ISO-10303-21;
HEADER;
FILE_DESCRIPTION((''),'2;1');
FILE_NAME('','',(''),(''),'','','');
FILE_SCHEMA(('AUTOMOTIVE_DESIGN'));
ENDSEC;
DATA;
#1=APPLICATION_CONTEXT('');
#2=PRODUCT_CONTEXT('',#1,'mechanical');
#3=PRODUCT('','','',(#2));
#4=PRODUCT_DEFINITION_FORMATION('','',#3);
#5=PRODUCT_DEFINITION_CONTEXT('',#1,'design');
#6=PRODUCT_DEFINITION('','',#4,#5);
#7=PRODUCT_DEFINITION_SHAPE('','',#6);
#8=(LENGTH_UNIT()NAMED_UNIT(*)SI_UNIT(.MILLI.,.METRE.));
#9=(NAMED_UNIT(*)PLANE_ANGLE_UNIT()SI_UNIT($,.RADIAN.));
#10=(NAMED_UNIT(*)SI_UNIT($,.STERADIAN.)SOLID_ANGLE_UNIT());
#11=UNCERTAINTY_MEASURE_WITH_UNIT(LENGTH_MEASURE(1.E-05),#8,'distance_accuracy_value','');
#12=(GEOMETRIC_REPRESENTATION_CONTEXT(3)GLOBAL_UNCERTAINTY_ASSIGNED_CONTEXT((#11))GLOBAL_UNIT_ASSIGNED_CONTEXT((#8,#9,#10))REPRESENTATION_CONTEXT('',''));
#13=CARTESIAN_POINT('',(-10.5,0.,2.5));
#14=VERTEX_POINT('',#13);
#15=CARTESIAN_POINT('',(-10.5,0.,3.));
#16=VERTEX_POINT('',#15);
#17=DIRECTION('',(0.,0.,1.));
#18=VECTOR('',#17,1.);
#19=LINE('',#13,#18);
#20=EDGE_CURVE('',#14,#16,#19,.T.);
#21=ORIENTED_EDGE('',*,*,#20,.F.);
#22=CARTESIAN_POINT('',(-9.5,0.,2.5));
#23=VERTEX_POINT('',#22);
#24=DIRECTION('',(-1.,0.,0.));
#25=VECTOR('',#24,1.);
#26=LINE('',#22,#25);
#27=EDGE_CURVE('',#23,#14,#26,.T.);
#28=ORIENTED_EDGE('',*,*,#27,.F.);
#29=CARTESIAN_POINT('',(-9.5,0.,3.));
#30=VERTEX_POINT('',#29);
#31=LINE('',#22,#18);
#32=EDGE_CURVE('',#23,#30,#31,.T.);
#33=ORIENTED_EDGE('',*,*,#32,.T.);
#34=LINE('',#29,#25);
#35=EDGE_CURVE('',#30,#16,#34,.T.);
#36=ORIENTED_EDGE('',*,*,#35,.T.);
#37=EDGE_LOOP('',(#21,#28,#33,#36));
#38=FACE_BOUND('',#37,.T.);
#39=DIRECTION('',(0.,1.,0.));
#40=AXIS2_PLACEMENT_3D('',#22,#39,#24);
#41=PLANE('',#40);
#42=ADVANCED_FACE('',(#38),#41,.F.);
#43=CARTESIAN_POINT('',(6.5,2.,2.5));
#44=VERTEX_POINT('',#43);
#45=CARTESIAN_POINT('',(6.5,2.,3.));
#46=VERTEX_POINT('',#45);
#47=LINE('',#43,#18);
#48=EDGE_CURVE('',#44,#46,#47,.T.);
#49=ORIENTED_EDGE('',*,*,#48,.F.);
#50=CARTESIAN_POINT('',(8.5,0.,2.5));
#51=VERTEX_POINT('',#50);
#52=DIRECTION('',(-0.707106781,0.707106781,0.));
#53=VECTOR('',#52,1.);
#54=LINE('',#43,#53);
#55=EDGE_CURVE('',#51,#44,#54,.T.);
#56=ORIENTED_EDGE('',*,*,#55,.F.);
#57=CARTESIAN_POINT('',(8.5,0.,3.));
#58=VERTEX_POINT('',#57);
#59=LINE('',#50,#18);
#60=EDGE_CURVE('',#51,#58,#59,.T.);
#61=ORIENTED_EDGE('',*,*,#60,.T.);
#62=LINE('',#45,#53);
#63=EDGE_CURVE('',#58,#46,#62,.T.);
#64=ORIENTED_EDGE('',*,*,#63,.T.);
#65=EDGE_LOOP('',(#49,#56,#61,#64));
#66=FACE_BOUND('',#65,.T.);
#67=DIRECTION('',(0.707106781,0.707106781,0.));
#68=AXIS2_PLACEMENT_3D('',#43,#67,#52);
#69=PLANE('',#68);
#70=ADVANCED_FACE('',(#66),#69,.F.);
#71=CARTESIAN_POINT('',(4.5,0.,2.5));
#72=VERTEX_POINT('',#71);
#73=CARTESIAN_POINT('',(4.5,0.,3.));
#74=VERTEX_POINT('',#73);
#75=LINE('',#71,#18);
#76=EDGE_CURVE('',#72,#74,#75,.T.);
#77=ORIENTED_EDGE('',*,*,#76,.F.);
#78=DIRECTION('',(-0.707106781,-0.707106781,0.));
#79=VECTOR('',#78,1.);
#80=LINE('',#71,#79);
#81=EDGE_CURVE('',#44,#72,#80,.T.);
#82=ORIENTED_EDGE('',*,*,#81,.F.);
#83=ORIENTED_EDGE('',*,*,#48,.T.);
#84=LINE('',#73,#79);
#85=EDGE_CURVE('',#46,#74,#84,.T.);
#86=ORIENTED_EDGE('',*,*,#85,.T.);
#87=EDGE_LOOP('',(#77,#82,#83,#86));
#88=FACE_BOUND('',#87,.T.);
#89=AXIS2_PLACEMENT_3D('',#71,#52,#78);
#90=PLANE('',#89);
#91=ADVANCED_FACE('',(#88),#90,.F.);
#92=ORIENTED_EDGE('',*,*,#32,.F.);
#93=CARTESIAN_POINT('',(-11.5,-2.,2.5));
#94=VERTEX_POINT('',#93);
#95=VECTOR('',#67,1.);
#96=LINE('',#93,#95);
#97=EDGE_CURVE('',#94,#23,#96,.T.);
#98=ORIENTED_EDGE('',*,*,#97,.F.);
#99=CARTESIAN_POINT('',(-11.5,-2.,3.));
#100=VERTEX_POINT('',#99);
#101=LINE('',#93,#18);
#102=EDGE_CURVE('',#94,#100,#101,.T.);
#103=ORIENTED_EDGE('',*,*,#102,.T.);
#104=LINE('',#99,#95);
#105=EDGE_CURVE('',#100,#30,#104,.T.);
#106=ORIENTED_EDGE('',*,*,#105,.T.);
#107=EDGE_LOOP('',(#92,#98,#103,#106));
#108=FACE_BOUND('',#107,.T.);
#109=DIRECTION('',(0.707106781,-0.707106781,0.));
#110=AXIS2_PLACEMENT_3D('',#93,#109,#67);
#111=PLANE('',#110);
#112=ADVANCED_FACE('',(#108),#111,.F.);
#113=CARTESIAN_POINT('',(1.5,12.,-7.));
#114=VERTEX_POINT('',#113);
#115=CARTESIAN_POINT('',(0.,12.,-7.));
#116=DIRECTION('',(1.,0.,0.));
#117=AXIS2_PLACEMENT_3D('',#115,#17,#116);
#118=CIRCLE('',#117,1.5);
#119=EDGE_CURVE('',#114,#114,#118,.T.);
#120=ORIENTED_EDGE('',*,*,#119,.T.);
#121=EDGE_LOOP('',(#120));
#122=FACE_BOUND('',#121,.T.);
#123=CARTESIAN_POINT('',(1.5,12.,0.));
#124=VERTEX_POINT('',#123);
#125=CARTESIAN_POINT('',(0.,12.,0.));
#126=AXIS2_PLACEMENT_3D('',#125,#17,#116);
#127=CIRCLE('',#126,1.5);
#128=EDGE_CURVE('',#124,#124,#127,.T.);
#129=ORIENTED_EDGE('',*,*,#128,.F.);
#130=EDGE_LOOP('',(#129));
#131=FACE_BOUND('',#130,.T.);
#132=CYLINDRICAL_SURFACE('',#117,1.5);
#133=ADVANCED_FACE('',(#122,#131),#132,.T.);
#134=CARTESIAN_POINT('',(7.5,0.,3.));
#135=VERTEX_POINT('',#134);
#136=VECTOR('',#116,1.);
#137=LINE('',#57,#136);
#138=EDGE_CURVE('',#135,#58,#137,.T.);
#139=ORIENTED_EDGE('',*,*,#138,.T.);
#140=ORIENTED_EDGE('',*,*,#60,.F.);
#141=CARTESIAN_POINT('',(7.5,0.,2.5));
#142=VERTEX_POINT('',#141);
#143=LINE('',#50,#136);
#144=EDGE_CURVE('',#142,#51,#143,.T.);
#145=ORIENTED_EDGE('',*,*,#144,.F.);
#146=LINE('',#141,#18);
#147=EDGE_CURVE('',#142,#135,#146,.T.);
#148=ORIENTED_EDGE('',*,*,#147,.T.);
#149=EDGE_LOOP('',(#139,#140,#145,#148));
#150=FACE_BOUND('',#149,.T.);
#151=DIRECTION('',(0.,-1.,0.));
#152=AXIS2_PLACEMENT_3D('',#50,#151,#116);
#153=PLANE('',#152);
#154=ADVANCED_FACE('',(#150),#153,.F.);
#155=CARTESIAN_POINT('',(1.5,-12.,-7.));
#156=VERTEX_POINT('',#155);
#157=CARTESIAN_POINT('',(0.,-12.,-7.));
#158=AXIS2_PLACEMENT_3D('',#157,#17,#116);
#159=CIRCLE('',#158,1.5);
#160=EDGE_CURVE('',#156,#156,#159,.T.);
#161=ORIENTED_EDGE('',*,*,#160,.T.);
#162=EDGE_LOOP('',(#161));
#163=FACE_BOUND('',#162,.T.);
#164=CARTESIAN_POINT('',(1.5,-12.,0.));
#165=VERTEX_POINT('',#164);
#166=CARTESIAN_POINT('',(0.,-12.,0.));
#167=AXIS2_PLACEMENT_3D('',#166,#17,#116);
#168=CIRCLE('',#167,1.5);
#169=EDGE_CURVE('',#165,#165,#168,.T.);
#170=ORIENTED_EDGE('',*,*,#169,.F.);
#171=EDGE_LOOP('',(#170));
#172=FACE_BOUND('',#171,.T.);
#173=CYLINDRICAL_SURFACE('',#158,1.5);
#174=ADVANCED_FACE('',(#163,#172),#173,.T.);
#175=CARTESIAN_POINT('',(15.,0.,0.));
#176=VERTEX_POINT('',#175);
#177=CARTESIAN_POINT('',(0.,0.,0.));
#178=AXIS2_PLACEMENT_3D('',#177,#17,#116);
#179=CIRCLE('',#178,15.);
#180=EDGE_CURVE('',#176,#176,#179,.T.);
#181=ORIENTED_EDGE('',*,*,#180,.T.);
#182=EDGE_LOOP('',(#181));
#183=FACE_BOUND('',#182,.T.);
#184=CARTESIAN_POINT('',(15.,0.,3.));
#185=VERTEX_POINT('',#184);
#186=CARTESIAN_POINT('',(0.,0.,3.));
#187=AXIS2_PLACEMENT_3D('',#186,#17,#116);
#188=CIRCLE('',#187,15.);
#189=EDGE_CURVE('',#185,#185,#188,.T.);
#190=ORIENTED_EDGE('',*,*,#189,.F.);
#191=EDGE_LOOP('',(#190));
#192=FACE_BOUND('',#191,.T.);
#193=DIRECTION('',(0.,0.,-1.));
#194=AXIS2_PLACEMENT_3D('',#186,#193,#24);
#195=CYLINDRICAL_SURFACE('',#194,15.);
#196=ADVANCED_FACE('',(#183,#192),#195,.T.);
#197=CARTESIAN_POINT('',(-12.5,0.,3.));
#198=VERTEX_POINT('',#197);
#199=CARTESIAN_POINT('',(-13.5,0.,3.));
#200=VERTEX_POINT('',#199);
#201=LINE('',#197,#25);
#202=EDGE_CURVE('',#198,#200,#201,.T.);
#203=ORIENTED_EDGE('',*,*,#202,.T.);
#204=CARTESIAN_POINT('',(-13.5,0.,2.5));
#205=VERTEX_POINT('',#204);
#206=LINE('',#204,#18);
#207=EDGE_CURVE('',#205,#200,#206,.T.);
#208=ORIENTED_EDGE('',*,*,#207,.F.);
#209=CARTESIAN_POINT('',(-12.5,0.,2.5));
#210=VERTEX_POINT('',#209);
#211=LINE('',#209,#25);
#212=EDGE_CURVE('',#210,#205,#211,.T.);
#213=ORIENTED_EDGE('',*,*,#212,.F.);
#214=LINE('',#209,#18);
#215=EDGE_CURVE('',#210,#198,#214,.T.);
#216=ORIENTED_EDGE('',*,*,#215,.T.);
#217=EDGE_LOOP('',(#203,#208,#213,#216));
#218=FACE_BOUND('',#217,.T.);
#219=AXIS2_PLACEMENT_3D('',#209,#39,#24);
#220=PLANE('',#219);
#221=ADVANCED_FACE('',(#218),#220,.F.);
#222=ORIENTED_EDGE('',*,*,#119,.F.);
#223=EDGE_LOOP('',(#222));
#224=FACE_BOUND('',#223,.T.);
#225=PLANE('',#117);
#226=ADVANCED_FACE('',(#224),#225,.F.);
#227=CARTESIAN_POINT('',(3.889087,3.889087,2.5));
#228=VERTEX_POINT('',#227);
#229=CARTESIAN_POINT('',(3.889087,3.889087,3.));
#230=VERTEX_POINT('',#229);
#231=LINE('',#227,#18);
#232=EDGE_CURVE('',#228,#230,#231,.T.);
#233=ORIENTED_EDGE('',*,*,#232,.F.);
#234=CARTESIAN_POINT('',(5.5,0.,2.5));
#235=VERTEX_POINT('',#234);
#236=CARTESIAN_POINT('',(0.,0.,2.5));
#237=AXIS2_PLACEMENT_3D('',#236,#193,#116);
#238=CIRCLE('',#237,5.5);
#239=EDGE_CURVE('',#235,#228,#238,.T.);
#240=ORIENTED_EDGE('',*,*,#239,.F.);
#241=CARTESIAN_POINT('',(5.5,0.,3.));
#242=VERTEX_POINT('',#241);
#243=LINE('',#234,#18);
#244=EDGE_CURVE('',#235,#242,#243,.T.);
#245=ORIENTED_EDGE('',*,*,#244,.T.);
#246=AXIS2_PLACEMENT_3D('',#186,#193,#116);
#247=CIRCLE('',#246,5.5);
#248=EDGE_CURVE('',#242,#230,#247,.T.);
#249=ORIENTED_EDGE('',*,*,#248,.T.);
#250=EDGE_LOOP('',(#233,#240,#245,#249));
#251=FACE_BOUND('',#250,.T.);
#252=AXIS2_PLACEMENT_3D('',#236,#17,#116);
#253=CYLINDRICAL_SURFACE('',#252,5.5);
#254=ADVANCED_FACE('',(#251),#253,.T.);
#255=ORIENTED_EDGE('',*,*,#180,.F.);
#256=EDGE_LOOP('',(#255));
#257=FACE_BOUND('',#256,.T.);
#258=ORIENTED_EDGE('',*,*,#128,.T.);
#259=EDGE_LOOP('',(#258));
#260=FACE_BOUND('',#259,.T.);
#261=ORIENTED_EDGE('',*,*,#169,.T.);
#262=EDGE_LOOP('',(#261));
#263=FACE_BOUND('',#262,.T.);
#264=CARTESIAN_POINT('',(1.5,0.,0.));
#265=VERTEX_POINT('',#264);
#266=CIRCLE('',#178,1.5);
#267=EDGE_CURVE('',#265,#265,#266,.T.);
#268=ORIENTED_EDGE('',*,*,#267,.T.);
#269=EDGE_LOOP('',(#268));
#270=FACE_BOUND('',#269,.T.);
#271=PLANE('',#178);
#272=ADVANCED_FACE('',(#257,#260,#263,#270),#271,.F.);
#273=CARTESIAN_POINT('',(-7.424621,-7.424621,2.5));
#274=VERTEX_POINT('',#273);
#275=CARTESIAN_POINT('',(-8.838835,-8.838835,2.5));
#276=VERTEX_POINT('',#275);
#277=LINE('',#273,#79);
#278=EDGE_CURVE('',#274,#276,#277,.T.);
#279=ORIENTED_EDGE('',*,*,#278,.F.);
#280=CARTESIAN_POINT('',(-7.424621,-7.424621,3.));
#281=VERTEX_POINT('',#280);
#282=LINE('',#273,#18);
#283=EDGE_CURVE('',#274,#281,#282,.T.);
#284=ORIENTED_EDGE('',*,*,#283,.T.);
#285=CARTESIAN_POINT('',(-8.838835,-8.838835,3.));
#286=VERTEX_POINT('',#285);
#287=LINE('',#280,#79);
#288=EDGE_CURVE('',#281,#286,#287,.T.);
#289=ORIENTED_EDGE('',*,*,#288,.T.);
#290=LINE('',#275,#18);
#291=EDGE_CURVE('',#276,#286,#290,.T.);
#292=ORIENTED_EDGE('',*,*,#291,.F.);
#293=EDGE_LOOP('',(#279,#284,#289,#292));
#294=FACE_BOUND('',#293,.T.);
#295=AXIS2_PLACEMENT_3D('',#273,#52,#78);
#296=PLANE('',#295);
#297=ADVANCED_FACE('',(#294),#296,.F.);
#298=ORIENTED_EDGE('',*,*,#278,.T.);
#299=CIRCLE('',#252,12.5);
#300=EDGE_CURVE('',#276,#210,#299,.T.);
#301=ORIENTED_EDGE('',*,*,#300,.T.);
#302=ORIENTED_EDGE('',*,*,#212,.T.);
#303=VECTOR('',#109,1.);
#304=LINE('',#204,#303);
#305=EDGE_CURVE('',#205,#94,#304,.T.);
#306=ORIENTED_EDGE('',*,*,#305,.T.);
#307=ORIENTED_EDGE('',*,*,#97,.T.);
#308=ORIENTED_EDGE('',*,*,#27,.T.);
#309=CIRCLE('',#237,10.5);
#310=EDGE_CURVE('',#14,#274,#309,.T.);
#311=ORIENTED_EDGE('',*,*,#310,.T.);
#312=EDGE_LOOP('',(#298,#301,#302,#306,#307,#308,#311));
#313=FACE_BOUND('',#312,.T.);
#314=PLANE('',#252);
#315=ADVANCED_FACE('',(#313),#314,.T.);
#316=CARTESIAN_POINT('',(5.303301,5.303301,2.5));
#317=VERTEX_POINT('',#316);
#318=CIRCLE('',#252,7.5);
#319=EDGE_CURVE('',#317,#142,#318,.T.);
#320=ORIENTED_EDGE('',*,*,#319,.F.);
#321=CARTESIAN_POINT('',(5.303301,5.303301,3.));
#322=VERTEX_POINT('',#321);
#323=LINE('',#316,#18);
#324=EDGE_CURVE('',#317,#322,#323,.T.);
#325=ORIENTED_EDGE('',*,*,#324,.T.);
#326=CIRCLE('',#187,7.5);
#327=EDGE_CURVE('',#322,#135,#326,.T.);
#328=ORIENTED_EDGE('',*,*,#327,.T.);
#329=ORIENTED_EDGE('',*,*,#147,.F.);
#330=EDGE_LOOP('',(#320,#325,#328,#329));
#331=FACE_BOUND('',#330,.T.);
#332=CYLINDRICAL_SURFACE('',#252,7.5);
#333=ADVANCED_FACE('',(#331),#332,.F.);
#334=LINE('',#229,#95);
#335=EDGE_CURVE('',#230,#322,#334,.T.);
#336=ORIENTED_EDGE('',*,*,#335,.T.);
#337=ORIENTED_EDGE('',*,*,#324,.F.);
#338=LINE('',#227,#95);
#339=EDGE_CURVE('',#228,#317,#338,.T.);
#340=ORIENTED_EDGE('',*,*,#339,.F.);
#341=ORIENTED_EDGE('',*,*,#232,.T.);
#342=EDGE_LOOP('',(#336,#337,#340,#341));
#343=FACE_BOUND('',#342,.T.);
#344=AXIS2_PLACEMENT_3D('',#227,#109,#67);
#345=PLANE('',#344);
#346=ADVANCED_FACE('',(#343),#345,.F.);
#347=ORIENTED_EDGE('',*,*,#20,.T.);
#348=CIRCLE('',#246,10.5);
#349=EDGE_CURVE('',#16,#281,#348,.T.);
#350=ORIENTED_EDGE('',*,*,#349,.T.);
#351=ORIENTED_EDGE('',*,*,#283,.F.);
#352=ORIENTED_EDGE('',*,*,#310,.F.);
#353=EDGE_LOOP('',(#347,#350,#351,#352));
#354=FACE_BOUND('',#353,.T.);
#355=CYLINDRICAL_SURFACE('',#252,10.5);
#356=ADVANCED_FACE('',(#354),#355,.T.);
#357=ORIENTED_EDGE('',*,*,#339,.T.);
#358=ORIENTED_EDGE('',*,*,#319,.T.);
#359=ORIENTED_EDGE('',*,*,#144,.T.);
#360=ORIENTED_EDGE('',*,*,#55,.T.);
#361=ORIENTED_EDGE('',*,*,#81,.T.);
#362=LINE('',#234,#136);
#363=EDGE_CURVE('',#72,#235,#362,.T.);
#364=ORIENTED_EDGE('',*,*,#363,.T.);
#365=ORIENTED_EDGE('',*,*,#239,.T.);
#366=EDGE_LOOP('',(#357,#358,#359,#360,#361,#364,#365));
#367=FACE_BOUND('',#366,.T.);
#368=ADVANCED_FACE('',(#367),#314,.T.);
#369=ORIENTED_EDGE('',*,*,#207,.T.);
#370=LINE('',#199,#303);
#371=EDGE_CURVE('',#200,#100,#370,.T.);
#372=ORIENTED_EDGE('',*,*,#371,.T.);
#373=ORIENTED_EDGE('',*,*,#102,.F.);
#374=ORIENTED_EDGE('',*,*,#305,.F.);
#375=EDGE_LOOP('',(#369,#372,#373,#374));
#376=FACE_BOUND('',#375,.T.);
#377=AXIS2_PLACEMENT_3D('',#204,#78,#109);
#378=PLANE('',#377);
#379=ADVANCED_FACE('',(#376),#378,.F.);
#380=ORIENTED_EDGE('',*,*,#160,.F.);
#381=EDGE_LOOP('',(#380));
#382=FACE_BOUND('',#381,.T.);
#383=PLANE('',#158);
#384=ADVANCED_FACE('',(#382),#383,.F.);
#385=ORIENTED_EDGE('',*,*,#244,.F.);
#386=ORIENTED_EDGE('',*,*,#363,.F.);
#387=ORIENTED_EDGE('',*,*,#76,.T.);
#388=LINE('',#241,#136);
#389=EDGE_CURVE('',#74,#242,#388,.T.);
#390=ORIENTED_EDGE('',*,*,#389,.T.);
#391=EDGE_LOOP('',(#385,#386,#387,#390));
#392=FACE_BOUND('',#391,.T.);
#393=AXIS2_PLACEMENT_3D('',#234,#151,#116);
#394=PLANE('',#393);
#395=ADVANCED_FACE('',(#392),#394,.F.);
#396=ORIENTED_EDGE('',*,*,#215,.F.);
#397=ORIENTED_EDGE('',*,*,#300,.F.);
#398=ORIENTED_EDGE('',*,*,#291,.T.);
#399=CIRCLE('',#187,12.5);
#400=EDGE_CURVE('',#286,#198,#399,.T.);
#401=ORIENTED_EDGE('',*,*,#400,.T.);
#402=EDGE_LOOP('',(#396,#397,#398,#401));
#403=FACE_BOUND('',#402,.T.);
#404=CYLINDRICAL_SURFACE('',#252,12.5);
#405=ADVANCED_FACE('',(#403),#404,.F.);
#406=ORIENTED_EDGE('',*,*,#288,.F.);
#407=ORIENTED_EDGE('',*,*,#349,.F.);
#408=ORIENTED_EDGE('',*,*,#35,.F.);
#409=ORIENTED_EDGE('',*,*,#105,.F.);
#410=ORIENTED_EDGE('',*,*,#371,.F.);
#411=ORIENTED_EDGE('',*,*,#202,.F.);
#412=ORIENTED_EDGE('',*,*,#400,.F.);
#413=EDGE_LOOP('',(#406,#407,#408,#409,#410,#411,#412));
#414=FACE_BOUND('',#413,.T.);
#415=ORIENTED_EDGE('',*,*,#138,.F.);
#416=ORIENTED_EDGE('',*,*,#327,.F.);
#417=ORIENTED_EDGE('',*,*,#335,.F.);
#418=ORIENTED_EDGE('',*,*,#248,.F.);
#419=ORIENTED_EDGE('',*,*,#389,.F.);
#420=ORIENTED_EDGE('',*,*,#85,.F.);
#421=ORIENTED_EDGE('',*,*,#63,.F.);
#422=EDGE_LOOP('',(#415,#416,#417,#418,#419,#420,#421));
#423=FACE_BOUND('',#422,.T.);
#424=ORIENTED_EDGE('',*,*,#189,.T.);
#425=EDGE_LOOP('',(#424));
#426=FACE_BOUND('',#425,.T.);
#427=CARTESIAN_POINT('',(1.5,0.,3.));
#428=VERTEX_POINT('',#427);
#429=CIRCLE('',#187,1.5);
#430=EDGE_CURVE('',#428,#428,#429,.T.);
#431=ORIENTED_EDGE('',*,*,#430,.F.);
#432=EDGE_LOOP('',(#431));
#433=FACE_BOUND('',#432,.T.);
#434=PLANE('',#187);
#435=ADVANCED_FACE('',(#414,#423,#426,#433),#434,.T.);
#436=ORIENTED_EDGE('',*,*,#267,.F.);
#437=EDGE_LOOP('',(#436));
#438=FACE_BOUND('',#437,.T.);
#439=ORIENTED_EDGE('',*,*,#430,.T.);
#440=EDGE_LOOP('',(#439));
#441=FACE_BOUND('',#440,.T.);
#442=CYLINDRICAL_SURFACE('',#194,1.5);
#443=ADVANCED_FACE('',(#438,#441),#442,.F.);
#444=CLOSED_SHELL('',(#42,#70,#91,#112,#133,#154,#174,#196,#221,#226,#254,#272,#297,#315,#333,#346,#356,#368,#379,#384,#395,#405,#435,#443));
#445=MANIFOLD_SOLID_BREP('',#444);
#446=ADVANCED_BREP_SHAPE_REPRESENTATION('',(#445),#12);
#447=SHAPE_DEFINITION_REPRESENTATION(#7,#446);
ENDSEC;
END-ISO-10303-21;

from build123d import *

# Parameters (mm, degrees)
CROQUIS1_R              = 15
CROQUIS1_R_2            = 1.5
SALIENTE_EXTRUIR1_DEPTH = 3
SALIENTE_EXTRUIR2_START = -10
CROQUIS2_R              = 1.5
SALIENTE_EXTRUIR2_DEPTH = 10
CORTAR_EXTRUIR1_DEPTH   = 0.5


with BuildPart() as part:
    # Croquis1 → Saliente-Extruir1 (new body)
    with BuildSketch(Plane.XY):
        Circle(CROQUIS1_R)
        with Locations((0, 12)):
            Circle(CROQUIS1_R_2, mode=Mode.SUBTRACT)
        with Locations((0, -12)):
            Circle(CROQUIS1_R_2, mode=Mode.SUBTRACT)
        Circle(CROQUIS1_R_2, mode=Mode.SUBTRACT)
    extrude(amount=SALIENTE_EXTRUIR1_DEPTH)

    # Croquis2 → Saliente-Extruir2 (add)
    with BuildSketch(Plane.XY.offset(3).offset(SALIENTE_EXTRUIR2_START)):
        with Locations((0, -12)):
            Circle(CROQUIS2_R)
        with Locations((0, 12)):
            Circle(CROQUIS2_R)
    extrude(amount=SALIENTE_EXTRUIR2_DEPTH)

    # Croquis3 → Cortar-Extruir1 (cut)
    with BuildSketch(Plane.XY.offset(3)):
        with BuildLine():
            Line((-7.424621202, -7.424621202), (-8.838834765, -8.838834765))
            ThreePointArc((-8.838834765, -8.838834765), (11.548494156, 4.783542905), (-12.5, 0))
            Line((-12.5, 0), (-13.5, 0))
            Line((-13.5, 0), (-11.5, -2))
            Line((-11.5, -2), (-9.5, 0))
            Line((-9.5, 0), (-10.5, 0))
            ThreePointArc((-10.5, 0), (9.700735091, 4.01817604), (-7.424621202, -7.424621202))
        make_face()
        with BuildLine():
            Line((5.5, 0), (4.5, 0))
            Line((4.5, 0), (6.5, 2))
            Line((6.5, 2), (8.5, 0))
            Line((8.5, 0), (7.5, 0))
            ThreePointArc((7.5, 0), (-6.929096494, -2.870125743), (5.303300859, 5.303300859))
            Line((5.303300859, 5.303300859), (3.889087297, 3.889087297))
            ThreePointArc((3.889087297, 3.889087297), (-5.081337429, -2.104758878), (5.5, 0))
        make_face()
    extrude(amount=-CORTAR_EXTRUIR1_DEPTH, mode=Mode.SUBTRACT)


solid = part.part
